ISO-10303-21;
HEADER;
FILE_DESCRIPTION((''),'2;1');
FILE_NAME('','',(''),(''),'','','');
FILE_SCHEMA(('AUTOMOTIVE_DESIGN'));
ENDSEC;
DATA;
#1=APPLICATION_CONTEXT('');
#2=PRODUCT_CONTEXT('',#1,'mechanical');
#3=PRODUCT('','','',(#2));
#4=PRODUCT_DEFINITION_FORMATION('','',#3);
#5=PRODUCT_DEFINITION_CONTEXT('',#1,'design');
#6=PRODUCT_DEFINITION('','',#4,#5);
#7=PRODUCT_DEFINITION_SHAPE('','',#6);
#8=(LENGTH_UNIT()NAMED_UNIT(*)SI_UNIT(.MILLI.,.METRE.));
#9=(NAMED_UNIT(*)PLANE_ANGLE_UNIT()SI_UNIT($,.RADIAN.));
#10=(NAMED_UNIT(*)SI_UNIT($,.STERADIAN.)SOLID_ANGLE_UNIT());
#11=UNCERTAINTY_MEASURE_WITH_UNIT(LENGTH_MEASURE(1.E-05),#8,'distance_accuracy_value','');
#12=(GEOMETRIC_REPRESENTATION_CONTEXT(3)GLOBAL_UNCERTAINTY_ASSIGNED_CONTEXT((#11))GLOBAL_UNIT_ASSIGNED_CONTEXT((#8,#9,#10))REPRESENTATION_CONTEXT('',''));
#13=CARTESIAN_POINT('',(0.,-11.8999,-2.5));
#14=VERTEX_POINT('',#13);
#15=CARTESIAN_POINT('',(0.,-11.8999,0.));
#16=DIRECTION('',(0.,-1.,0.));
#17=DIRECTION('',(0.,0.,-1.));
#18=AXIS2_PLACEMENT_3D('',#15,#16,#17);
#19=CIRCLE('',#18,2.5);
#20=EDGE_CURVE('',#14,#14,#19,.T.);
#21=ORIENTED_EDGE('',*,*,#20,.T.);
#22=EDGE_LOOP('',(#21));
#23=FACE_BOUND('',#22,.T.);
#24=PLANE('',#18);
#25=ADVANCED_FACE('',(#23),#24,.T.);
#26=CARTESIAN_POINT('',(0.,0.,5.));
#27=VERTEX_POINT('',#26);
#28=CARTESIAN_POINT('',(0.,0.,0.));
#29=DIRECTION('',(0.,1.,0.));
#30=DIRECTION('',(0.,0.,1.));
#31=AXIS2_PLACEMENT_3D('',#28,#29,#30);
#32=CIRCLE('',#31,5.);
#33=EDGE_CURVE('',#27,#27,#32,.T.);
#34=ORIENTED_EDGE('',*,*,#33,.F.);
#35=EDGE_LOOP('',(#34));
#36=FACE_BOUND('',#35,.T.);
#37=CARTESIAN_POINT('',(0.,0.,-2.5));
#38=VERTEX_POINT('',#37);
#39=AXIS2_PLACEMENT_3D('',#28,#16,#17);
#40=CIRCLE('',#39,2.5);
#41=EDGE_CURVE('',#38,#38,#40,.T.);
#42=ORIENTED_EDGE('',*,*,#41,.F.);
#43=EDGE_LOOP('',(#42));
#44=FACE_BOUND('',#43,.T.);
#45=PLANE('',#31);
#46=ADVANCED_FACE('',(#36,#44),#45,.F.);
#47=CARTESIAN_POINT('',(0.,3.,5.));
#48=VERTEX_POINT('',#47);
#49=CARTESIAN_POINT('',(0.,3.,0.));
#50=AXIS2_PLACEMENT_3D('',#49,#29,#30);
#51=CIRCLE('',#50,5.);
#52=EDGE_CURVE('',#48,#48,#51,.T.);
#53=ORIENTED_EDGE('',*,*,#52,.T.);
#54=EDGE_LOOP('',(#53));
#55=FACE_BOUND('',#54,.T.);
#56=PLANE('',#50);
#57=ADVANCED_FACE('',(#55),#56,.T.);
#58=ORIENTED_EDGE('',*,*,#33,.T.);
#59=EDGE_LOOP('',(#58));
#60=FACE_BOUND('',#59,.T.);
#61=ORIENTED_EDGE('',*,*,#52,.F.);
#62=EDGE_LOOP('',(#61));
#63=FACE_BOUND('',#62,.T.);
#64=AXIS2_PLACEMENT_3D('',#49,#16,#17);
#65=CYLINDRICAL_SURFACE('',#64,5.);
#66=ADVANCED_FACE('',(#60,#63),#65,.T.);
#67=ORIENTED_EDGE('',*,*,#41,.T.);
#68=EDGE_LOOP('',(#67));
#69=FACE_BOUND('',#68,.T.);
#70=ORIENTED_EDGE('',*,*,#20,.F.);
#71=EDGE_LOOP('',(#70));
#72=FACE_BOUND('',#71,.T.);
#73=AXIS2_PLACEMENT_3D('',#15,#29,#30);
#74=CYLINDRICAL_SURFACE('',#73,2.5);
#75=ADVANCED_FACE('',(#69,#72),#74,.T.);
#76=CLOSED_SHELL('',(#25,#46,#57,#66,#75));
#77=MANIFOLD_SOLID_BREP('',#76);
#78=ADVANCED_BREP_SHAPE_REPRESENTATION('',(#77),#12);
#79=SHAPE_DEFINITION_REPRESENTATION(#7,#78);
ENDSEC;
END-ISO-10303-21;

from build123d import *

# Parameters (mm, degrees)
SKETCH1_R           = 5
BOSS_EXTRUDE1_DEPTH = 3
SKETCH2_R           = 2.5
BOSS_EXTRUDE2_DEPTH = 11.8999


with BuildPart() as part:
    # Sketch1 → Boss-Extrude1 (new body)
    with BuildSketch(Plane(origin=(0, 0, 0), x_dir=(1, 0, 0), z_dir=(0, 1, 0))):
        Circle(SKETCH1_R)
    extrude(amount=BOSS_EXTRUDE1_DEPTH)

    # Sketch2 → Boss-Extrude2 (add)
    with BuildSketch(Plane.XZ):
        Circle(SKETCH2_R)
    extrude(amount=BOSS_EXTRUDE2_DEPTH)


solid = part.part
